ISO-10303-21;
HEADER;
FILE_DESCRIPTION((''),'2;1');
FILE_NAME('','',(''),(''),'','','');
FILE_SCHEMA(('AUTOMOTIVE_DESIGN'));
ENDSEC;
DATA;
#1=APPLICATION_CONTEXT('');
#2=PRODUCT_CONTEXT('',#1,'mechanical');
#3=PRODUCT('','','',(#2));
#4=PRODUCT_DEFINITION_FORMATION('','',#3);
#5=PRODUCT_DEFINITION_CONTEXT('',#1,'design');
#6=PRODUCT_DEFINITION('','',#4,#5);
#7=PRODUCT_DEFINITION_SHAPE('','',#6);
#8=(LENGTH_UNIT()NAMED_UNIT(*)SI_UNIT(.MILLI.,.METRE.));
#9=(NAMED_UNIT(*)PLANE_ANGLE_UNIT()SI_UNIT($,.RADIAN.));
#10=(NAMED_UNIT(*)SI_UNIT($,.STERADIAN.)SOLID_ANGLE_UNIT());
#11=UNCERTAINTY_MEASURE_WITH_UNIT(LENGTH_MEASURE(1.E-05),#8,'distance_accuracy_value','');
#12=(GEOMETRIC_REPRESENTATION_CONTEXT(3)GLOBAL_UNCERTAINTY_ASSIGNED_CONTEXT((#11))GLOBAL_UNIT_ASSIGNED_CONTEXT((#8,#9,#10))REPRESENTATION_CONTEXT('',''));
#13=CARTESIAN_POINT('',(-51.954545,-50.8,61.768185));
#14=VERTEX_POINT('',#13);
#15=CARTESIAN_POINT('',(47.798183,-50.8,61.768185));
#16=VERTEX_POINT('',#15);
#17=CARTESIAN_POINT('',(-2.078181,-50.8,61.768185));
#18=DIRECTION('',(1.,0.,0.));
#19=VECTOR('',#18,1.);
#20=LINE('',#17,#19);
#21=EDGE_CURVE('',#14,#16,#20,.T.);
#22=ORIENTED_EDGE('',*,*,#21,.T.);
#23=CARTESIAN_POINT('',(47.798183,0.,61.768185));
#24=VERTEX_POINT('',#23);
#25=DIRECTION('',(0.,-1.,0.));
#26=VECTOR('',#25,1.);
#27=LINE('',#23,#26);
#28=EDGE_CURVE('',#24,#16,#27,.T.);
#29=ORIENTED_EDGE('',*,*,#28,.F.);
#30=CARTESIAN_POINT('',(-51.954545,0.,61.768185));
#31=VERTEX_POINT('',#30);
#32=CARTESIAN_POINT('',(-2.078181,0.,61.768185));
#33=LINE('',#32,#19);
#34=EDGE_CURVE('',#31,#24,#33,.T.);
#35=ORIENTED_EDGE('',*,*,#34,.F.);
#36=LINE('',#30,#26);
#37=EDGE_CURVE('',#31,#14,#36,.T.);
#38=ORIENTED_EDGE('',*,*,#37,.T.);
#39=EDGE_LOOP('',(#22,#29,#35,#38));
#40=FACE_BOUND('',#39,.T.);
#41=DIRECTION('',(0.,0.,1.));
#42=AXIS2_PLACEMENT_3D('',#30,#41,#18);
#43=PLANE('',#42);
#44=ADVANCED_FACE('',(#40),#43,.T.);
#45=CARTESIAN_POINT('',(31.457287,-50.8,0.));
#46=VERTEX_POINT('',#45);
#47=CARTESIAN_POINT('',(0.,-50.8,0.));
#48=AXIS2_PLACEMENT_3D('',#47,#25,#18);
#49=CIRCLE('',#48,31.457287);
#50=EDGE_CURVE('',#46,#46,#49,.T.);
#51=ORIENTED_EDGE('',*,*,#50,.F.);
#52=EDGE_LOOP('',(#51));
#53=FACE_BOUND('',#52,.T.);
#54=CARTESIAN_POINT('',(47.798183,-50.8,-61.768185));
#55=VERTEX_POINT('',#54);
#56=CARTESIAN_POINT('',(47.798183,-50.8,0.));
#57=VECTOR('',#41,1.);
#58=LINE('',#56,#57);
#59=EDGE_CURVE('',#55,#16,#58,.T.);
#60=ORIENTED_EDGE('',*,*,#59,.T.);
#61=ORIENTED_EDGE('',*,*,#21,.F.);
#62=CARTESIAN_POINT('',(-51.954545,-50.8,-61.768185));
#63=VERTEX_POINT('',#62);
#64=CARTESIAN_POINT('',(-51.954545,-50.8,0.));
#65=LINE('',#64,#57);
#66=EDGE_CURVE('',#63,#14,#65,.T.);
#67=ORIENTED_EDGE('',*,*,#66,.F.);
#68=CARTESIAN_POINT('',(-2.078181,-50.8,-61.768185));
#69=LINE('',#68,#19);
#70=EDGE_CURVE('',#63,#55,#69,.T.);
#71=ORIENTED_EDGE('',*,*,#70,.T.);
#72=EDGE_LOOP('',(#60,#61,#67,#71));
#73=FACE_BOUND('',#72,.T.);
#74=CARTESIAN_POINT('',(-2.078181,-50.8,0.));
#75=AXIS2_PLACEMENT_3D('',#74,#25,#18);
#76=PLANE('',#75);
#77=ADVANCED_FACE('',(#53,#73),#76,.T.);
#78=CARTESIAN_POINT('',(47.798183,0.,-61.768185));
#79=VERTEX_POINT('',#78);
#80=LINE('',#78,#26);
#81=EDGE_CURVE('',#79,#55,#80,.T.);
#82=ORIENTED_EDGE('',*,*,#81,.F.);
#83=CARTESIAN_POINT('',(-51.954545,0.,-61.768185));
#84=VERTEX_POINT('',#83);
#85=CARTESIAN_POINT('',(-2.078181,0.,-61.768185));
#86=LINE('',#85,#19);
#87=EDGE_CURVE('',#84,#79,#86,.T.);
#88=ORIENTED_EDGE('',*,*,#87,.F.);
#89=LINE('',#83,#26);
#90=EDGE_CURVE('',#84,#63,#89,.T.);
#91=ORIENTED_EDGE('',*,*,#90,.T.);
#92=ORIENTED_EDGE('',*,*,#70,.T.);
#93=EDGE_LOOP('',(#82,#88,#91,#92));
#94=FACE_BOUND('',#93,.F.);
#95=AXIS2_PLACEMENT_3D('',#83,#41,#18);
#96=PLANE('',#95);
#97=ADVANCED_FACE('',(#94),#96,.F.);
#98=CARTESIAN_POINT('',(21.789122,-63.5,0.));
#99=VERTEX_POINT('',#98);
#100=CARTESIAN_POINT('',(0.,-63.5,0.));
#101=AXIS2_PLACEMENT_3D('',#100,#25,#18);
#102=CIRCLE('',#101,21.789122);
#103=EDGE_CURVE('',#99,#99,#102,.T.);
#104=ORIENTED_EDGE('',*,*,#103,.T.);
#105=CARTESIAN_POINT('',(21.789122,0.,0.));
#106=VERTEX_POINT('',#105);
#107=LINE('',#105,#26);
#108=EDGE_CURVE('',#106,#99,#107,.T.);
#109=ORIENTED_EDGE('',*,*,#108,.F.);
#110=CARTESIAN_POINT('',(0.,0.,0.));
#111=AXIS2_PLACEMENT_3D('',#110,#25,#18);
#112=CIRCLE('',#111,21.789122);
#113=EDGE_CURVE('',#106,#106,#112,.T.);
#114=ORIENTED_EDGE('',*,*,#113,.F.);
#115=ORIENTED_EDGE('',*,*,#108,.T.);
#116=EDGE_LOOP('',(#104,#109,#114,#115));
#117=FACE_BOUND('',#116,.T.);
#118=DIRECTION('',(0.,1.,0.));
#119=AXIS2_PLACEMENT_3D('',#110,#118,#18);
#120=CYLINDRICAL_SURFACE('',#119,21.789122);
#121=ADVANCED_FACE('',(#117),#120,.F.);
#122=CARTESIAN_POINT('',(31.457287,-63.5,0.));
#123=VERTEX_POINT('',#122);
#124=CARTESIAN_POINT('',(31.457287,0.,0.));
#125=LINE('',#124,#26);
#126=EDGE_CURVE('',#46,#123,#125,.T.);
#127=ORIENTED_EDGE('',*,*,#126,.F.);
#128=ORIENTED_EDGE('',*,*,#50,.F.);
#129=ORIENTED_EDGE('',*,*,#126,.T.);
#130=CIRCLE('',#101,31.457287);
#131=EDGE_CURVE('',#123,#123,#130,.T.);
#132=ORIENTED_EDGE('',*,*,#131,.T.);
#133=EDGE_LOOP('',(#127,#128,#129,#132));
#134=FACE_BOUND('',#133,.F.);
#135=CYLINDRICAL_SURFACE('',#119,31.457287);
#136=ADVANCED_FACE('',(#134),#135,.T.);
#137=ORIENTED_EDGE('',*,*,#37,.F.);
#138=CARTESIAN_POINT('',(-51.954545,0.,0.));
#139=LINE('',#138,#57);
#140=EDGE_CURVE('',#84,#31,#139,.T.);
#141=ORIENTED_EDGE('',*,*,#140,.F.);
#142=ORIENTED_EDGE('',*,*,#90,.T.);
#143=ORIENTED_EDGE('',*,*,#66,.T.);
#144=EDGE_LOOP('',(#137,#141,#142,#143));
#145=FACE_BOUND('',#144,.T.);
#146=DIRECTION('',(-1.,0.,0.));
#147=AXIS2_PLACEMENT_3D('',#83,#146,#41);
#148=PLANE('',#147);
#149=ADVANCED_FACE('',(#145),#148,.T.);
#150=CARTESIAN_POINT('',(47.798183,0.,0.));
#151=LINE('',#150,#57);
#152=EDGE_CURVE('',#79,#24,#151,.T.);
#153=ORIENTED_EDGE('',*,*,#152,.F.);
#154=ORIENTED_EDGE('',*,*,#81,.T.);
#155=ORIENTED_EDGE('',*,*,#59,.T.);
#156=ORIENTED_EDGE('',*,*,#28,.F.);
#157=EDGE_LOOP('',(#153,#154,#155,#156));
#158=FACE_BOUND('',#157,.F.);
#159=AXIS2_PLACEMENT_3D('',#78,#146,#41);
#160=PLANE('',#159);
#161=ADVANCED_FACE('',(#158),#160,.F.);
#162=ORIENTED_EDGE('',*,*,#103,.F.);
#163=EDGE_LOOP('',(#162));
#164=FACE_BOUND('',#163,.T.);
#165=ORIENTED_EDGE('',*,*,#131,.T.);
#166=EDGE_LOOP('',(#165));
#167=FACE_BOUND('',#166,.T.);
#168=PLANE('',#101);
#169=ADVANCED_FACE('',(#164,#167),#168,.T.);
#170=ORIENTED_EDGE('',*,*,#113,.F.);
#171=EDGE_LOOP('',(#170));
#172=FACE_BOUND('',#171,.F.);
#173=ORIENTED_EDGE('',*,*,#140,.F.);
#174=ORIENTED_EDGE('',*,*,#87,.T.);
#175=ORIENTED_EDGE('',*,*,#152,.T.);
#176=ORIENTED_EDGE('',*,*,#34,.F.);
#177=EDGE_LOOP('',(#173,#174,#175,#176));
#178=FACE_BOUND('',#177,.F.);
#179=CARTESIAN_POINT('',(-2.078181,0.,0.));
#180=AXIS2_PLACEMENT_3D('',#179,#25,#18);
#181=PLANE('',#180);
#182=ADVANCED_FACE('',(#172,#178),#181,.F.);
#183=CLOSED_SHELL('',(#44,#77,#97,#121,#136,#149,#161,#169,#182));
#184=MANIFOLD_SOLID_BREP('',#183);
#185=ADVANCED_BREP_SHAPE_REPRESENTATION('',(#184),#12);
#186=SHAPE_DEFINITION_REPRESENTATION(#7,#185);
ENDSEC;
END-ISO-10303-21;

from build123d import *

# Parameters (mm, degrees)
F0_W     = 99.752728
F0_H     = 123.53637
F0_R     = 31.457287
F1_DEPTH = 50.8
F0_R_2   = 21.789122
F2_DEPTH = 63.5


with BuildPart() as f1:
    # F0 (on Front) → F1 (new body)
    with BuildSketch(Plane.XZ):
        with Locations((-2.078181, 0)):
            Rectangle(F0_W, F0_H)
        Circle(F0_R, mode=Mode.SUBTRACT)
    extrude(amount=F1_DEPTH)

    # F0 (on Front) → F2 (join)
    with BuildSketch(Plane.XZ):
        Circle(F0_R)
        Circle(F0_R_2, mode=Mode.SUBTRACT)
    extrude(amount=F2_DEPTH)


solid = f1.part
